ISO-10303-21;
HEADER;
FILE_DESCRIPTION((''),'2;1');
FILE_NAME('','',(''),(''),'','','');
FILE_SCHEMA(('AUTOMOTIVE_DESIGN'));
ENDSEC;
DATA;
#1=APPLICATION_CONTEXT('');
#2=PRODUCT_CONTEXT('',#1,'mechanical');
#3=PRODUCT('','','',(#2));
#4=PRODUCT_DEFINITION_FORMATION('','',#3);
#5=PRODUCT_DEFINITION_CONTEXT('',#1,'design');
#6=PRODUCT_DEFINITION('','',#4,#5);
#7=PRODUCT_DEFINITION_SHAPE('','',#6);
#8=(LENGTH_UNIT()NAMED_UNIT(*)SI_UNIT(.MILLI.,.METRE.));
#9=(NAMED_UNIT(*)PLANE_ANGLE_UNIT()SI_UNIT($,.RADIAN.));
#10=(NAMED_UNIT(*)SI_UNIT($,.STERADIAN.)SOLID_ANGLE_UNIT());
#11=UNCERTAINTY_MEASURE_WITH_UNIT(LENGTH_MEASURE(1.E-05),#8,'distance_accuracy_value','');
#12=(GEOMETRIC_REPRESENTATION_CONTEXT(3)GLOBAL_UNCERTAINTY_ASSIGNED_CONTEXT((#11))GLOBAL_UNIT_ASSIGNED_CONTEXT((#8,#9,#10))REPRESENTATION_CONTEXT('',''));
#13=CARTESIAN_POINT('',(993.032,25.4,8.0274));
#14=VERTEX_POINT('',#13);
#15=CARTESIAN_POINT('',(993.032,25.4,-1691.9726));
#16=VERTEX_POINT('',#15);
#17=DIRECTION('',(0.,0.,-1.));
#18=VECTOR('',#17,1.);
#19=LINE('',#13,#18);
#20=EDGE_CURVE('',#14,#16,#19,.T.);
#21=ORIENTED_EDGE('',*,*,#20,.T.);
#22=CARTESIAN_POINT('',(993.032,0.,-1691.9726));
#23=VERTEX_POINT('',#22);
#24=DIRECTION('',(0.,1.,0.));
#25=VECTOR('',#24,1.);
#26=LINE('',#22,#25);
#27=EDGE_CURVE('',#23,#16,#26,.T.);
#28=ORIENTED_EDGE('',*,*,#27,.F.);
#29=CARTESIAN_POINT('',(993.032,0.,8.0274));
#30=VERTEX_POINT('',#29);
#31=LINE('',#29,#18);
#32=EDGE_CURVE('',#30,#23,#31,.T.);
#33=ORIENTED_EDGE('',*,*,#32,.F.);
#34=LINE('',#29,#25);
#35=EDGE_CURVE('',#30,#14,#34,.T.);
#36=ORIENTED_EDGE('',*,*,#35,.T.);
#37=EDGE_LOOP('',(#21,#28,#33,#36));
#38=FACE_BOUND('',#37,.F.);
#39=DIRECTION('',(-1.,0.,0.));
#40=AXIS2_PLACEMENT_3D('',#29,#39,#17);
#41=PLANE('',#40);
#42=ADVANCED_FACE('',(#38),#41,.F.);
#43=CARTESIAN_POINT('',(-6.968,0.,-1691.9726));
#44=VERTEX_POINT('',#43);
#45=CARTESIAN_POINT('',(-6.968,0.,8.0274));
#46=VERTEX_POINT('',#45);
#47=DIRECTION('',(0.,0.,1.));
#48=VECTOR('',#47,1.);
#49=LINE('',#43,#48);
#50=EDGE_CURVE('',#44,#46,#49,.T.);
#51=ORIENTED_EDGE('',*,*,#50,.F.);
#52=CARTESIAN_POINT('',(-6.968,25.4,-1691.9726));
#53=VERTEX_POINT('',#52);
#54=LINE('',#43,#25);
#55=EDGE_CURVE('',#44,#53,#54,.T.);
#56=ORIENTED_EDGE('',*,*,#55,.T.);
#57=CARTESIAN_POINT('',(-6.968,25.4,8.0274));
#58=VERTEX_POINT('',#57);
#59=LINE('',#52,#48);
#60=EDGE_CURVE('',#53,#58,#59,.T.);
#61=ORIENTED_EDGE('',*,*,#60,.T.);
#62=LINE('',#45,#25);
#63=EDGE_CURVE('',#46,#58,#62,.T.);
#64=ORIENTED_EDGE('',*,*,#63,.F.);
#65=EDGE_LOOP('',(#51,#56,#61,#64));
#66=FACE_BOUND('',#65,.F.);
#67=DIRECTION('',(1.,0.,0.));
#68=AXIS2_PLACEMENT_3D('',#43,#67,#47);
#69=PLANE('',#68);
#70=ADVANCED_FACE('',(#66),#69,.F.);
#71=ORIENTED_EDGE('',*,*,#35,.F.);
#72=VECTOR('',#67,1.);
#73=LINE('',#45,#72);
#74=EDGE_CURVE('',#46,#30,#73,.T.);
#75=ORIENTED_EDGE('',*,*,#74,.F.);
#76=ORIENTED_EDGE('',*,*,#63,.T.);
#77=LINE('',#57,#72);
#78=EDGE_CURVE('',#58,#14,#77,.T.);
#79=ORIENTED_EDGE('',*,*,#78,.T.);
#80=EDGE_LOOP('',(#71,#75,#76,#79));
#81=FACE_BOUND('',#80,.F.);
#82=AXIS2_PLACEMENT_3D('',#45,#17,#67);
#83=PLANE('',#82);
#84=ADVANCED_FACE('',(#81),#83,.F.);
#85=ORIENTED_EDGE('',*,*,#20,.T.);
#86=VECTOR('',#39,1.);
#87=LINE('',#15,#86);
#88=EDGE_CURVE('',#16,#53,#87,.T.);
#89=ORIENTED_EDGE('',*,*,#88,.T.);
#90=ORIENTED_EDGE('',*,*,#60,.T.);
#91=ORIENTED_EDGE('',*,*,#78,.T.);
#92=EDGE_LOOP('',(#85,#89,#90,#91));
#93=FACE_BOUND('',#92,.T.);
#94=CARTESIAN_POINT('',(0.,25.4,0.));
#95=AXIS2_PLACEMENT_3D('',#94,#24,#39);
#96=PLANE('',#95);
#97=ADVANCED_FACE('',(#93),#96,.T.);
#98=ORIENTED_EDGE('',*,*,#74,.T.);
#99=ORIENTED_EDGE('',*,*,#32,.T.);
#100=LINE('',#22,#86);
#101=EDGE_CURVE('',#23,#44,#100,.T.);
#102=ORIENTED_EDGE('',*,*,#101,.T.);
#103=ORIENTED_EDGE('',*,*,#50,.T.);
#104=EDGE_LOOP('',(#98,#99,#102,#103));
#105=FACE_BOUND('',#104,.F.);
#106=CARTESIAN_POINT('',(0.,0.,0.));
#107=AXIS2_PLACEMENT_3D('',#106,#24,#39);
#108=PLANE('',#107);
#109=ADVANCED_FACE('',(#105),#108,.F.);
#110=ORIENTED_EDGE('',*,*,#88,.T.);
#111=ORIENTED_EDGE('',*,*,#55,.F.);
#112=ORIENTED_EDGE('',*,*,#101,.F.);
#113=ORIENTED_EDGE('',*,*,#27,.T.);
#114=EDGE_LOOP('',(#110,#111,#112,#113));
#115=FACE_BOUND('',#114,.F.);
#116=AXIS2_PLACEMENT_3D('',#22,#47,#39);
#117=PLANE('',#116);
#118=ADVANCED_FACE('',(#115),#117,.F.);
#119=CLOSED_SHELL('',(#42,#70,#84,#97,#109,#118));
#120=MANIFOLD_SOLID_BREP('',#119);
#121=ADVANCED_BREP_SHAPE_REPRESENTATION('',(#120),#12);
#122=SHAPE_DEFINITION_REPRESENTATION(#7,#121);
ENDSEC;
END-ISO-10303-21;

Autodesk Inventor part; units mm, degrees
ref_plane "YZ Plane" through (0, 0, 0) normal (1, 0, 0) x (0, 1, 0)
ref_plane "XZ Plane" through (0, 0, 0) normal (0, 1, 0) x (-1, 0, 0)
ref_plane "XY Plane" through (0, 0, 0) normal (0, 0, 1) x (1, 0, 0)
sketch "Sketch1" plane through (0, 0, 0) normal (0, 1, 0) x (-1, 0, 0)
  line L0 (6.968, 8.0274) -> (-993.032, 8.0274)
  line L1 (-993.032, 8.0274) -> (-993.032, -1691.9726)
  line L2 (-993.032, -1691.9726) -> (6.968, -1691.9726)
  line L3 (6.968, -1691.9726) -> (6.968, 8.0274)
  point P0 (0, 0)
  dimension "d0" = 1700
  dimension "d1" = 1000
extrude "Extrusion1" add sketch "Sketch1" along normal blind 25.4
equation "\"d0\" = testHeight"
equation "\"d1\" = testLength"
equation "\"roof_width\" = 25.4"
equation "\"testHeight\" = 1700"
equation "\"testLength\" = 1000"
properties part number "test_part_ignore"
